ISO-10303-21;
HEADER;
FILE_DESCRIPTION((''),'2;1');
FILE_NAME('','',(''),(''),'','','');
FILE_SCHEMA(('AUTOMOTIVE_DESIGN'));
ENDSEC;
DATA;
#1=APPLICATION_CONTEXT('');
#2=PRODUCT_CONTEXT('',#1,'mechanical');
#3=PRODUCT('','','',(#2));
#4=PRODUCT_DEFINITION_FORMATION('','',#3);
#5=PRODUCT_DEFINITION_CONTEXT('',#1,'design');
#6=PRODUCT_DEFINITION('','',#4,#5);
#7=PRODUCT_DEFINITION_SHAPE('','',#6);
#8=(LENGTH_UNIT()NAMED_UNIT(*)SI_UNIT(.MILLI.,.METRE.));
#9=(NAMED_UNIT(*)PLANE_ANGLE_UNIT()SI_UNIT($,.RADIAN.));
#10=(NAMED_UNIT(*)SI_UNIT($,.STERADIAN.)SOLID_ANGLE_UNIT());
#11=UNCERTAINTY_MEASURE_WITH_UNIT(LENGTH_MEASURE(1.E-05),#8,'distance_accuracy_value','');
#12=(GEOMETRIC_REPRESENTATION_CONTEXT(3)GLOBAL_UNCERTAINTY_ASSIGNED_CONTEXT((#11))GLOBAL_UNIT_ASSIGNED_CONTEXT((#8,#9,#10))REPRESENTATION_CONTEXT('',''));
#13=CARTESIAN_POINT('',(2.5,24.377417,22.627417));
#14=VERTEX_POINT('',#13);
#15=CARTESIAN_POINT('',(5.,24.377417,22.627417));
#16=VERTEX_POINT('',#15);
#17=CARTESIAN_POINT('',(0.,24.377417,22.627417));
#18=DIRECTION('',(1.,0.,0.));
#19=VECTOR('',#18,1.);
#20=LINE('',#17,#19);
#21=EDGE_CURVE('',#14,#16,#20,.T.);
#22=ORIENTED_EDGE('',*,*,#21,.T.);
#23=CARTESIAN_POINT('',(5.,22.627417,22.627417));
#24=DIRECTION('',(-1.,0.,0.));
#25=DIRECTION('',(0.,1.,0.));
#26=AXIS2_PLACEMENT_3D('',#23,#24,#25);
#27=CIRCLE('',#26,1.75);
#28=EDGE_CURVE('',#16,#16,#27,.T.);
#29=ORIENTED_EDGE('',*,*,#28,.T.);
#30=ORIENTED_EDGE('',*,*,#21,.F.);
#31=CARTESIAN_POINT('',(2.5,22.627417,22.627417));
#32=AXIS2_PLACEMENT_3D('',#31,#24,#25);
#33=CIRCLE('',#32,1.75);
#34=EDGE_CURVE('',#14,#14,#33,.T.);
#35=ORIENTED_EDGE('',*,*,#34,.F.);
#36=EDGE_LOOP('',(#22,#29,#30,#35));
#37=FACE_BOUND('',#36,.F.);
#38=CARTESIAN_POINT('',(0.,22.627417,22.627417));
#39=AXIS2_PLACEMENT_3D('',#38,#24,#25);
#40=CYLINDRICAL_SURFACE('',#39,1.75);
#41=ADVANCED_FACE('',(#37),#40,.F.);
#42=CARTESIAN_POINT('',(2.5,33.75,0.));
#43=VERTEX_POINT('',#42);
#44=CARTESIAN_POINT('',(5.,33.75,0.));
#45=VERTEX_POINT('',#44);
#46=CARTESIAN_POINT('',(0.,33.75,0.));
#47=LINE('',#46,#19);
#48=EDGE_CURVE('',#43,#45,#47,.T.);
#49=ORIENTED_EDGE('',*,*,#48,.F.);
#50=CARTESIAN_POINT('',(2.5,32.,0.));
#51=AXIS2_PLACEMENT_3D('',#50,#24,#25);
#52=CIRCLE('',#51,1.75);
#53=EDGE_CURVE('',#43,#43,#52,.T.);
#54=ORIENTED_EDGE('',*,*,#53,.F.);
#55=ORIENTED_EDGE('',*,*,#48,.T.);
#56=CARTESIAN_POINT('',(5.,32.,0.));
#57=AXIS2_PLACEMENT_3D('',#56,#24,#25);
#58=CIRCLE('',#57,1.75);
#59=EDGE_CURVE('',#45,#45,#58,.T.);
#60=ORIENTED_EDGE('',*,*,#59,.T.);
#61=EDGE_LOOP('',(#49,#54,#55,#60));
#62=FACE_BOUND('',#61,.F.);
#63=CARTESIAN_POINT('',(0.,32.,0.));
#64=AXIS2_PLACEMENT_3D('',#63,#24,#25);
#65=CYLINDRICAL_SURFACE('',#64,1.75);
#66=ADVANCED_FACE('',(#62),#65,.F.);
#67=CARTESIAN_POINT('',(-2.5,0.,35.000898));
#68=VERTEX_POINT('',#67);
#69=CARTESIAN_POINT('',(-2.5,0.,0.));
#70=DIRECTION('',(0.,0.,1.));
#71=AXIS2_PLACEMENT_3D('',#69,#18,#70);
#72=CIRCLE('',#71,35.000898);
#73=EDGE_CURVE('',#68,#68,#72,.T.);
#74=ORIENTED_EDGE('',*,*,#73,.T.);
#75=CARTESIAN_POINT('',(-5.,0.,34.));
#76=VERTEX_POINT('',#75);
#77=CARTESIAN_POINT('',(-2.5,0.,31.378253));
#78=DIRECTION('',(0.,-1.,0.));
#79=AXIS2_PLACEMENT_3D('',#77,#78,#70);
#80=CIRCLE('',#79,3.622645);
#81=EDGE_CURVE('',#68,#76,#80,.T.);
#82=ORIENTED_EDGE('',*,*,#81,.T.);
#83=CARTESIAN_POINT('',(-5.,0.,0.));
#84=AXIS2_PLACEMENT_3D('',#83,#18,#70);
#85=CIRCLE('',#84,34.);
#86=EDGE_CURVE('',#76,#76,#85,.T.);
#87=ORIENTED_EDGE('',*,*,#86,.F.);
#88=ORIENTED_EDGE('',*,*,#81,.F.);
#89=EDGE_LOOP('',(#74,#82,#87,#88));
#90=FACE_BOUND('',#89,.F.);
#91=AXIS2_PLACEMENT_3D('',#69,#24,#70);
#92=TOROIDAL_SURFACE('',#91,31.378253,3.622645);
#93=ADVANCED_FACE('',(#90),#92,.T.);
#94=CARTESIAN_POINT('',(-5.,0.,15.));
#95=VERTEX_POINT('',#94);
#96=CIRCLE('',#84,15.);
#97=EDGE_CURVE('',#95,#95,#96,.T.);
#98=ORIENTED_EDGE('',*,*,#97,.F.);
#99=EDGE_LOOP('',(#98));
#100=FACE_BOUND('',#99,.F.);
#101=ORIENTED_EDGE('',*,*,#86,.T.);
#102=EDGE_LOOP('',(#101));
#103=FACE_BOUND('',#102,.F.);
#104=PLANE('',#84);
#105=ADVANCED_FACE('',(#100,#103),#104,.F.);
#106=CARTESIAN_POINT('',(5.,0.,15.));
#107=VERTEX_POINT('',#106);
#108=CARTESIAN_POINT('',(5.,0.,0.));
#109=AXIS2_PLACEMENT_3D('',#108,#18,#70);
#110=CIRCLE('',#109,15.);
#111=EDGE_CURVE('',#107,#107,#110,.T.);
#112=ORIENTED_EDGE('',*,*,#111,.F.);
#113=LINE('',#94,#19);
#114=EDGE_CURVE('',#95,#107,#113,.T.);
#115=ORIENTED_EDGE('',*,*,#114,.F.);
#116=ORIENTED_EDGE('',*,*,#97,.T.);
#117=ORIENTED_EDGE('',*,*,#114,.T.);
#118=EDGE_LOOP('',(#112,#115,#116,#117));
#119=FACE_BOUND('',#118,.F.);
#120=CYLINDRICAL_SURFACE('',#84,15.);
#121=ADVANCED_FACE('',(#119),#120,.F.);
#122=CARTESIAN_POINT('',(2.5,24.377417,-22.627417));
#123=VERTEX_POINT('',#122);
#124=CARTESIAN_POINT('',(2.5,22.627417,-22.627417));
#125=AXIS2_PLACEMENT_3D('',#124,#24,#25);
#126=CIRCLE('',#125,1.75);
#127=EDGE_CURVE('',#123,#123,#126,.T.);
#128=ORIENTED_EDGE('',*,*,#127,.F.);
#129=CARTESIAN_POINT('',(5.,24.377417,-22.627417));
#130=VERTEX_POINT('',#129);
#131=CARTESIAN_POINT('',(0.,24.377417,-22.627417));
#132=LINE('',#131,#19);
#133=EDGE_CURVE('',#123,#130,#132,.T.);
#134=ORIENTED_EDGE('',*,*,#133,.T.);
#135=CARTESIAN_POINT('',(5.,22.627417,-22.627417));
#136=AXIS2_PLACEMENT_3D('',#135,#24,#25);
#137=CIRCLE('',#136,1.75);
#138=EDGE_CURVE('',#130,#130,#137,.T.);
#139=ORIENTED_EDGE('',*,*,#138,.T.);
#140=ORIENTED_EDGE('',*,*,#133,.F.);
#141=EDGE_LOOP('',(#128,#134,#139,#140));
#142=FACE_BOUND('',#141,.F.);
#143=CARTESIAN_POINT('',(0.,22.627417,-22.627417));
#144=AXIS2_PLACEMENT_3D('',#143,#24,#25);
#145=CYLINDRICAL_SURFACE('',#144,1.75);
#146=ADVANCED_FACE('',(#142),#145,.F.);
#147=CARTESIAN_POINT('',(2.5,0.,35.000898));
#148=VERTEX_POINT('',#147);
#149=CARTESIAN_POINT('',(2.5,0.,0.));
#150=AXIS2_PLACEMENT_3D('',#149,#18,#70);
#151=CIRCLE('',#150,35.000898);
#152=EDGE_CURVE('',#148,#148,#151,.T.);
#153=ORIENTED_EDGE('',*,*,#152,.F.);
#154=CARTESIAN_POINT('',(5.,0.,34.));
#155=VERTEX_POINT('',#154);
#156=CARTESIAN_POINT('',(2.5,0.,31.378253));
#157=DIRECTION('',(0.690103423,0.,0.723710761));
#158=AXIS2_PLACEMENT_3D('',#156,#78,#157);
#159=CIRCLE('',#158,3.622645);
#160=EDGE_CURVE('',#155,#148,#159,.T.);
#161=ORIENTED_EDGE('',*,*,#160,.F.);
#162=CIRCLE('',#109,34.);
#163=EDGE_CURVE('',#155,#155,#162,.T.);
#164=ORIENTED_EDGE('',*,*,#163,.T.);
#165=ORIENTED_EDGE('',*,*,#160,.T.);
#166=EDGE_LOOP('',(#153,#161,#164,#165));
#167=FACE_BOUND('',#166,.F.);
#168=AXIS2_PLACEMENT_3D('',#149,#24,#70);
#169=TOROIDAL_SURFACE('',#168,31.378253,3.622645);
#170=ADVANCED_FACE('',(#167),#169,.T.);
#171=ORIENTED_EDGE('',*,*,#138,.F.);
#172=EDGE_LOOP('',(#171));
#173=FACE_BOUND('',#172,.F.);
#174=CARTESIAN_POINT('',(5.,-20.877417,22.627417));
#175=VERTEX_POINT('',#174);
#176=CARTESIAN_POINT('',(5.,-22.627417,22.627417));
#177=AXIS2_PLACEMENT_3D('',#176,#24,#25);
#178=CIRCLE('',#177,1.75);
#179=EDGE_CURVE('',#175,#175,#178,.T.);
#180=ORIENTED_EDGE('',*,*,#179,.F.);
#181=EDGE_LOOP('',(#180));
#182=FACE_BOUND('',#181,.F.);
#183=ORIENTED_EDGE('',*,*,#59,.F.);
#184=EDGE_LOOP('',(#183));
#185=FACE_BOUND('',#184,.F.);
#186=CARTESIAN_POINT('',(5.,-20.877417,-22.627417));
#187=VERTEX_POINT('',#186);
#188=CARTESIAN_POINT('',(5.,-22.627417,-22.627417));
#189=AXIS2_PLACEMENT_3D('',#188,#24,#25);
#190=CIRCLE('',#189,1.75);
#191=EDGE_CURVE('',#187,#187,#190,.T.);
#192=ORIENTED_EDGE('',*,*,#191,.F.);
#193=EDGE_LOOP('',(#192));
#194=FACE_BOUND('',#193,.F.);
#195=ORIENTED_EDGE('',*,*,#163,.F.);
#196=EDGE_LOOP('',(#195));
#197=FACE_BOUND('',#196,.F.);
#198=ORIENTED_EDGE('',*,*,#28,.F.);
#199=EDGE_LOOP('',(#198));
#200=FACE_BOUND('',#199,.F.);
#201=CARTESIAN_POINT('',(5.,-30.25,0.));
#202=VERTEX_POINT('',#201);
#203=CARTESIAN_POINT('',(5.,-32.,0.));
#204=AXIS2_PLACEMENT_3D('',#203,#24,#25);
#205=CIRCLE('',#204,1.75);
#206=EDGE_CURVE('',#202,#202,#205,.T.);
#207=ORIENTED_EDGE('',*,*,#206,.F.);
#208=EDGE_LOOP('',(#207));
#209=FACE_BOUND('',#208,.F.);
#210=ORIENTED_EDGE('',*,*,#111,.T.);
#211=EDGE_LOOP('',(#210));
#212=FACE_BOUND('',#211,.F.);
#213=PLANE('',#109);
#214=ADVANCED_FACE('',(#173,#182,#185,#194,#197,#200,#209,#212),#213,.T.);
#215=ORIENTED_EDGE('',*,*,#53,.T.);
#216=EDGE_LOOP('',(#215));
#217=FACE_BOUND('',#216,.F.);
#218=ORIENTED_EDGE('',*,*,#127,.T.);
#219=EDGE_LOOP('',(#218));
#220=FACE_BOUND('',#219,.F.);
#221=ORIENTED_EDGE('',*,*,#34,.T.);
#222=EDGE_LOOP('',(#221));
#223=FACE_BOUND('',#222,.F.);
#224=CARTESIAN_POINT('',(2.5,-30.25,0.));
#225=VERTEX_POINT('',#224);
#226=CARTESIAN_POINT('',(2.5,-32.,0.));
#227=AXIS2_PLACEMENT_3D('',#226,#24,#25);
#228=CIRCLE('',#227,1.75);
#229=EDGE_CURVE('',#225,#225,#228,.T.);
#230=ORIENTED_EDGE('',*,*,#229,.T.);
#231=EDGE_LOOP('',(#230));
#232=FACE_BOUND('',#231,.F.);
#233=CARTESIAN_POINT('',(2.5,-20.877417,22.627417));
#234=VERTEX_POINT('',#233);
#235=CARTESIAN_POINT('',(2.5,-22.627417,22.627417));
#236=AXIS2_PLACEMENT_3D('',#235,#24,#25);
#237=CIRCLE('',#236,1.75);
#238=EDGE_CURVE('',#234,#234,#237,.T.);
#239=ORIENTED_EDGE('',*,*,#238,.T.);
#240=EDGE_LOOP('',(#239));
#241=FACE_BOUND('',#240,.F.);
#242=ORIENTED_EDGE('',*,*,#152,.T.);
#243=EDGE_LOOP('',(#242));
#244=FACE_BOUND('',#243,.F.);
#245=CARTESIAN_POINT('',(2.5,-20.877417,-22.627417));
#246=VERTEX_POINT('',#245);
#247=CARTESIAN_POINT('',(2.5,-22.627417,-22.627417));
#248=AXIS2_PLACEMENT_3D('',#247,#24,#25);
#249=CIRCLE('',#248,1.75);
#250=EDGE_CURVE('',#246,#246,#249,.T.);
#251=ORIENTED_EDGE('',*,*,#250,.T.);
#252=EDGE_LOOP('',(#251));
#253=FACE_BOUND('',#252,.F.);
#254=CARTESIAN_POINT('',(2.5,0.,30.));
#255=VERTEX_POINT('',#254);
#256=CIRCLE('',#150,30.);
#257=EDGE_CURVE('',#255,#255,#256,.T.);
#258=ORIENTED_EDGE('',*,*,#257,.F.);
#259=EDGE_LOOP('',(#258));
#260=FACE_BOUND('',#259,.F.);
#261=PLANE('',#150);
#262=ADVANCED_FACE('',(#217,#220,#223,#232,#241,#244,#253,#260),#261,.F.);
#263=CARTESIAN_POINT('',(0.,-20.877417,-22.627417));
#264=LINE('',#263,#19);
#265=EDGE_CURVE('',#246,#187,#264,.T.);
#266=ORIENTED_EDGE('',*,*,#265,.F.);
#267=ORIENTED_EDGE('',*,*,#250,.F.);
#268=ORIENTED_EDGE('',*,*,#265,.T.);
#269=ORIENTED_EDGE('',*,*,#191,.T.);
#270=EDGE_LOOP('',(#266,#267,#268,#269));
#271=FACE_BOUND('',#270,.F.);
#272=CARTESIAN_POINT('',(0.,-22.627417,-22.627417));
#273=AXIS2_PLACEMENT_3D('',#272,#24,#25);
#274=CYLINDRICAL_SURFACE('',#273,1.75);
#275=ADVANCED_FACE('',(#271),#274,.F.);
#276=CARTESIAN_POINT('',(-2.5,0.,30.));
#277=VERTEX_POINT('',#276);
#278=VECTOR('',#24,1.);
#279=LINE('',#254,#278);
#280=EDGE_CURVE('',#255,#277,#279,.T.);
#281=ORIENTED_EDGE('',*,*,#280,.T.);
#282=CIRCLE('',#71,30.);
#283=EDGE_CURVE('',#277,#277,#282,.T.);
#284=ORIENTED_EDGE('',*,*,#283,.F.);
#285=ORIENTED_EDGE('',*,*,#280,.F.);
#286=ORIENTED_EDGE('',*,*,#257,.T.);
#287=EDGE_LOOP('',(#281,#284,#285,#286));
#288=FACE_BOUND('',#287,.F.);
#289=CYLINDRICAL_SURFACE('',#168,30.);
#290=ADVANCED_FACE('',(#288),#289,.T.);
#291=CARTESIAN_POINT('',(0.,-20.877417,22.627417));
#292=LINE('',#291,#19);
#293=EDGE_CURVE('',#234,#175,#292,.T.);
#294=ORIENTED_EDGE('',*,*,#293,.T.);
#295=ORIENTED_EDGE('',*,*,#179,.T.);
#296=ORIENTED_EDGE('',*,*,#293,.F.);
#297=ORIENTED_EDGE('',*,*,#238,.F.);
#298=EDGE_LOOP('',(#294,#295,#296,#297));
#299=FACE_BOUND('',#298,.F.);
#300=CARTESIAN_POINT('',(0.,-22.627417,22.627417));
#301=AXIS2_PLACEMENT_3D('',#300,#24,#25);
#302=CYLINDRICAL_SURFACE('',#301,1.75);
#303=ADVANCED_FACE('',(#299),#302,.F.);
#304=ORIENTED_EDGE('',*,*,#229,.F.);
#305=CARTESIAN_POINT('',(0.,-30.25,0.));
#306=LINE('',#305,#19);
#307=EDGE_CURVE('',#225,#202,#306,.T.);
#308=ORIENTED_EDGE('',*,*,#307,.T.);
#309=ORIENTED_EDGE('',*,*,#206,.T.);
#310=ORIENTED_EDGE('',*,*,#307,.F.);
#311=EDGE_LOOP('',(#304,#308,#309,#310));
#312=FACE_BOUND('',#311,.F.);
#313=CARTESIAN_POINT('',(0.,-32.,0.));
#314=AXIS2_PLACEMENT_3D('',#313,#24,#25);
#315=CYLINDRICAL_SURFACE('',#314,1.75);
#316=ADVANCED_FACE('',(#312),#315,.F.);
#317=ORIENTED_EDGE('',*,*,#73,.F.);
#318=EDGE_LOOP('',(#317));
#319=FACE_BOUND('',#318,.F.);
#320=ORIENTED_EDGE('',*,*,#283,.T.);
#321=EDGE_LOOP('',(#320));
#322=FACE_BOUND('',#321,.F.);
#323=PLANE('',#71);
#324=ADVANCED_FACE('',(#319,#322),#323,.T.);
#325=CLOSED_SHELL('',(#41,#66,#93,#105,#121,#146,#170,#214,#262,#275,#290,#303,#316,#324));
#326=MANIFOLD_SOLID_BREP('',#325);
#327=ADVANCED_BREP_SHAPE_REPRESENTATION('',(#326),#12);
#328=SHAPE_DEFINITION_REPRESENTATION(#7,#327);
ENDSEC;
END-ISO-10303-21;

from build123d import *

# Parameters (mm, degrees)
F3_D     = 3.5
F3_DEPTH = 12
F3_TIP   = 1.0515060833


with BuildPart() as f2:
    # F0 (on Front) → F2 (revolve)
    with BuildSketch(Plane.XZ):
        with BuildLine():
            Line((-5, 15), (0, 15))
            Line((0, 15), (0, 30))
            Line((0, 30), (-2.5, 30))
            Line((-2.5, 30), (-2.5, 35.000897944))
            ThreePointArc((-2.5, 35.000897944), (-3.8464580103, 34.7413776573), (-5, 34))
            Line((-5, 34), (-5, 30))
            Line((-5, 30), (-5, 20))
            Line((-5, 20), (-5, 15))
        make_face()
        with BuildLine():
            Line((0, 30), (0, 15))
            Line((0, 15), (5, 15))
            Line((5, 15), (5, 20))
            Line((5, 20), (5, 30))
            Line((5, 30), (5, 34))
            ThreePointArc((5, 34), (3.8464580103, 34.7413776573), (2.5, 35.000897944))
            Line((2.5, 35.000897944), (2.5, 30))
            Line((2.5, 30), (0, 30))
        make_face()
    revolve(axis=Axis((0, 0, 0), (1, 0, 0)))

    # F3 (one way)
    with BuildSketch(Plane(origin=(0, 0, 0), x_dir=(0, 1, 0), z_dir=(-1, 0, 0))):
        with Locations((-22.627416998, -22.627416998), (22.627416998, -22.627416998), (32, 0), (22.627416998, 22.627416998), (-22.627416998, 22.627416998), (-32, 0)):
            Circle(F3_D / 2)
    extrude(amount=-F3_DEPTH, mode=Mode.SUBTRACT)
    with Locations(Plane(origin=(0, 0, 0), x_dir=(0, 1, 0), z_dir=(-1, 0, 0))):
        with Locations((-22.627416998, -22.627416998), (22.627416998, -22.627416998), (32, 0), (22.627416998, 22.627416998), (-22.627416998, 22.627416998), (-32, 0)):
            with Locations((0, 0, -(F3_DEPTH + F3_TIP / 2))):  # 118° drill point
                Cone(0, F3_D / 2, F3_TIP, mode=Mode.SUBTRACT)


solid = f2.part
